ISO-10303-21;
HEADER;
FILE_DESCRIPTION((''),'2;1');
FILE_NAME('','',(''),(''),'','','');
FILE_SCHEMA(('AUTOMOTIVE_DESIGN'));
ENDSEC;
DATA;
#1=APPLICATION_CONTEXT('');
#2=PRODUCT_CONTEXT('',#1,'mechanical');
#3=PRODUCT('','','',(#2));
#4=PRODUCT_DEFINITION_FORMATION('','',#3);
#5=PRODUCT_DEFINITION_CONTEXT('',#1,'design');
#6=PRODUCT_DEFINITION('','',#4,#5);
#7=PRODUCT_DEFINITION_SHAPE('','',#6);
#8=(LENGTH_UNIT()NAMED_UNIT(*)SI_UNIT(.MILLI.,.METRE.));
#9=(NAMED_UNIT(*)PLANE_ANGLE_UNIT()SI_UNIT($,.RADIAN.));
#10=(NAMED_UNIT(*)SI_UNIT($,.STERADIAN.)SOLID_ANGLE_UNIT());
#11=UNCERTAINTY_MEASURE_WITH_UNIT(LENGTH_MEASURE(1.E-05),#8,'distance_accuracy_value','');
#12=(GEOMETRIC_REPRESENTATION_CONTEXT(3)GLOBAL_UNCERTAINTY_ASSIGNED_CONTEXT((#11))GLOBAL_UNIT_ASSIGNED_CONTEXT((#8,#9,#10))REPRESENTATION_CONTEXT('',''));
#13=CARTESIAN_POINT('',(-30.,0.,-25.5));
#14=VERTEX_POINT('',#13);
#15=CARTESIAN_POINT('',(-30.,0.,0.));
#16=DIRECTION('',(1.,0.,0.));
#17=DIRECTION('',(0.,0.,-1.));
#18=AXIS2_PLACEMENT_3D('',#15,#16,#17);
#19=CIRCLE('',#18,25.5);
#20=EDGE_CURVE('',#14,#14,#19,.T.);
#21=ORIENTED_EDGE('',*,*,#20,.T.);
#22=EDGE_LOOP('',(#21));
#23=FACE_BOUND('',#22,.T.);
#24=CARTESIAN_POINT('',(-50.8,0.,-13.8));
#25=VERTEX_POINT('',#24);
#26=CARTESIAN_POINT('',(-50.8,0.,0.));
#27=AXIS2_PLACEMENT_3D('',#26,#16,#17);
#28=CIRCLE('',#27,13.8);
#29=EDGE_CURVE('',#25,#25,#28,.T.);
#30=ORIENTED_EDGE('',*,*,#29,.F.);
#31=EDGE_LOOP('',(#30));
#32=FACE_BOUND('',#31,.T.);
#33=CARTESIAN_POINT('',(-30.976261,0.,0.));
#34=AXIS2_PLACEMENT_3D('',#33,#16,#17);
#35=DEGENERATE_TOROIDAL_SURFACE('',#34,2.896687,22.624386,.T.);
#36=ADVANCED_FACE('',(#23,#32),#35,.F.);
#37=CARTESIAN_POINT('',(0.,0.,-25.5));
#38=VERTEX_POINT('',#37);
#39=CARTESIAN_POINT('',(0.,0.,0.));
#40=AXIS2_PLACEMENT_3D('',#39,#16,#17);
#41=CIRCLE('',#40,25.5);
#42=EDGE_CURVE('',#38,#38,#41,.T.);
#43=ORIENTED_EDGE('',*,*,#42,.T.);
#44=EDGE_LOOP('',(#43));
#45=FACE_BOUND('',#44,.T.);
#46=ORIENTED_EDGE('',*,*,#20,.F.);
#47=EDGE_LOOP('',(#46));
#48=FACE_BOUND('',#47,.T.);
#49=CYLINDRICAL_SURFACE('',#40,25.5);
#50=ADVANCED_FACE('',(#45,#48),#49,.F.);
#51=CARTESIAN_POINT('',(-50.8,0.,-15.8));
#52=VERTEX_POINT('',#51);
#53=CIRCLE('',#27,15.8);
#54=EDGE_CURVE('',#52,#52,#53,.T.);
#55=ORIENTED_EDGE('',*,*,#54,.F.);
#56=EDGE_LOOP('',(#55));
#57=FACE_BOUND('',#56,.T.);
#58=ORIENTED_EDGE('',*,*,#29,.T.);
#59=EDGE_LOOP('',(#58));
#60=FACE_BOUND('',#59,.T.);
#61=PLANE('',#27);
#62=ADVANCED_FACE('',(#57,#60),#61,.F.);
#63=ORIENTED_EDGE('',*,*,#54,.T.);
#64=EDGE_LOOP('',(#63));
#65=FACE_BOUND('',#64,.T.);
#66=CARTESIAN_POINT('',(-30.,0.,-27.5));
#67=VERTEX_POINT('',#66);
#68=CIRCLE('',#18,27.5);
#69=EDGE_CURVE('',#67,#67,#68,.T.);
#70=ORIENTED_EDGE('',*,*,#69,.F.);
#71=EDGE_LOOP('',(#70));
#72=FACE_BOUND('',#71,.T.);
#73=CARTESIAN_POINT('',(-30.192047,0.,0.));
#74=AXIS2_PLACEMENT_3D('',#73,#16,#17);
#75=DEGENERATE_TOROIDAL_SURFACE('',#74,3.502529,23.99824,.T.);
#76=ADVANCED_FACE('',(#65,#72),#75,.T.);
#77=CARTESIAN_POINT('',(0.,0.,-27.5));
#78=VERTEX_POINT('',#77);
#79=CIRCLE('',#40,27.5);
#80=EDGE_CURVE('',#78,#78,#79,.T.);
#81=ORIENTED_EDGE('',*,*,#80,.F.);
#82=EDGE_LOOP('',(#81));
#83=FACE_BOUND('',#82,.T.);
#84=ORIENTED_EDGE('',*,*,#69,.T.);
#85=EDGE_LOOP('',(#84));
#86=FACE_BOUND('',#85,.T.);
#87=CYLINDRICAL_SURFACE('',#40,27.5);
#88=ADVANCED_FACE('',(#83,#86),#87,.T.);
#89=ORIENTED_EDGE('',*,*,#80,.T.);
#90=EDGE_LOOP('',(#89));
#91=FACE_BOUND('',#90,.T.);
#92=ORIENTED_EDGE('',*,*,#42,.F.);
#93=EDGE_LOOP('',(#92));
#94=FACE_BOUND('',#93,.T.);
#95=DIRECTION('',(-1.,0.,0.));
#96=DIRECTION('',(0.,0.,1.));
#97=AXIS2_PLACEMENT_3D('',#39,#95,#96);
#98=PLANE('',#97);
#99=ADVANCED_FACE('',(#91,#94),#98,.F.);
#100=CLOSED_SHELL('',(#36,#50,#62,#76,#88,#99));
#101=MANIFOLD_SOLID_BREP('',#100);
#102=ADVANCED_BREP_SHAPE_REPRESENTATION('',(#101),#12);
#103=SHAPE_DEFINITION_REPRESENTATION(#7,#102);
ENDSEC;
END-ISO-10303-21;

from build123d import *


with BuildPart() as part:
    # Çizim2 → Döndür2 (revolve)
    with BuildSketch(Plane.XY, mode=Mode.PRIVATE) as d_nd_r2_sk:
        with BuildLine():
            Line((0, 27.5), (-30, 27.5))
            ThreePointArc((-30, 27.5), (-41.957454175, 24.418807423), (-50.8, 15.8))
            Line((-50.8, 15.8), (-50.8, 13.8))
            ThreePointArc((-50.8, 13.8), (-42.068120997, 22.615548438), (-30, 25.5))
            Line((-30, 25.5), (0, 25.5))
            Line((0, 25.5), (0, 27.5))
        make_face()
    revolve(d_nd_r2_sk.sketch.rotate(Axis((0, 0, 0), (-1, 0, 0)), 90), axis=Axis((0, 0, 0), (-1, 0, 0)))


solid = part.part
